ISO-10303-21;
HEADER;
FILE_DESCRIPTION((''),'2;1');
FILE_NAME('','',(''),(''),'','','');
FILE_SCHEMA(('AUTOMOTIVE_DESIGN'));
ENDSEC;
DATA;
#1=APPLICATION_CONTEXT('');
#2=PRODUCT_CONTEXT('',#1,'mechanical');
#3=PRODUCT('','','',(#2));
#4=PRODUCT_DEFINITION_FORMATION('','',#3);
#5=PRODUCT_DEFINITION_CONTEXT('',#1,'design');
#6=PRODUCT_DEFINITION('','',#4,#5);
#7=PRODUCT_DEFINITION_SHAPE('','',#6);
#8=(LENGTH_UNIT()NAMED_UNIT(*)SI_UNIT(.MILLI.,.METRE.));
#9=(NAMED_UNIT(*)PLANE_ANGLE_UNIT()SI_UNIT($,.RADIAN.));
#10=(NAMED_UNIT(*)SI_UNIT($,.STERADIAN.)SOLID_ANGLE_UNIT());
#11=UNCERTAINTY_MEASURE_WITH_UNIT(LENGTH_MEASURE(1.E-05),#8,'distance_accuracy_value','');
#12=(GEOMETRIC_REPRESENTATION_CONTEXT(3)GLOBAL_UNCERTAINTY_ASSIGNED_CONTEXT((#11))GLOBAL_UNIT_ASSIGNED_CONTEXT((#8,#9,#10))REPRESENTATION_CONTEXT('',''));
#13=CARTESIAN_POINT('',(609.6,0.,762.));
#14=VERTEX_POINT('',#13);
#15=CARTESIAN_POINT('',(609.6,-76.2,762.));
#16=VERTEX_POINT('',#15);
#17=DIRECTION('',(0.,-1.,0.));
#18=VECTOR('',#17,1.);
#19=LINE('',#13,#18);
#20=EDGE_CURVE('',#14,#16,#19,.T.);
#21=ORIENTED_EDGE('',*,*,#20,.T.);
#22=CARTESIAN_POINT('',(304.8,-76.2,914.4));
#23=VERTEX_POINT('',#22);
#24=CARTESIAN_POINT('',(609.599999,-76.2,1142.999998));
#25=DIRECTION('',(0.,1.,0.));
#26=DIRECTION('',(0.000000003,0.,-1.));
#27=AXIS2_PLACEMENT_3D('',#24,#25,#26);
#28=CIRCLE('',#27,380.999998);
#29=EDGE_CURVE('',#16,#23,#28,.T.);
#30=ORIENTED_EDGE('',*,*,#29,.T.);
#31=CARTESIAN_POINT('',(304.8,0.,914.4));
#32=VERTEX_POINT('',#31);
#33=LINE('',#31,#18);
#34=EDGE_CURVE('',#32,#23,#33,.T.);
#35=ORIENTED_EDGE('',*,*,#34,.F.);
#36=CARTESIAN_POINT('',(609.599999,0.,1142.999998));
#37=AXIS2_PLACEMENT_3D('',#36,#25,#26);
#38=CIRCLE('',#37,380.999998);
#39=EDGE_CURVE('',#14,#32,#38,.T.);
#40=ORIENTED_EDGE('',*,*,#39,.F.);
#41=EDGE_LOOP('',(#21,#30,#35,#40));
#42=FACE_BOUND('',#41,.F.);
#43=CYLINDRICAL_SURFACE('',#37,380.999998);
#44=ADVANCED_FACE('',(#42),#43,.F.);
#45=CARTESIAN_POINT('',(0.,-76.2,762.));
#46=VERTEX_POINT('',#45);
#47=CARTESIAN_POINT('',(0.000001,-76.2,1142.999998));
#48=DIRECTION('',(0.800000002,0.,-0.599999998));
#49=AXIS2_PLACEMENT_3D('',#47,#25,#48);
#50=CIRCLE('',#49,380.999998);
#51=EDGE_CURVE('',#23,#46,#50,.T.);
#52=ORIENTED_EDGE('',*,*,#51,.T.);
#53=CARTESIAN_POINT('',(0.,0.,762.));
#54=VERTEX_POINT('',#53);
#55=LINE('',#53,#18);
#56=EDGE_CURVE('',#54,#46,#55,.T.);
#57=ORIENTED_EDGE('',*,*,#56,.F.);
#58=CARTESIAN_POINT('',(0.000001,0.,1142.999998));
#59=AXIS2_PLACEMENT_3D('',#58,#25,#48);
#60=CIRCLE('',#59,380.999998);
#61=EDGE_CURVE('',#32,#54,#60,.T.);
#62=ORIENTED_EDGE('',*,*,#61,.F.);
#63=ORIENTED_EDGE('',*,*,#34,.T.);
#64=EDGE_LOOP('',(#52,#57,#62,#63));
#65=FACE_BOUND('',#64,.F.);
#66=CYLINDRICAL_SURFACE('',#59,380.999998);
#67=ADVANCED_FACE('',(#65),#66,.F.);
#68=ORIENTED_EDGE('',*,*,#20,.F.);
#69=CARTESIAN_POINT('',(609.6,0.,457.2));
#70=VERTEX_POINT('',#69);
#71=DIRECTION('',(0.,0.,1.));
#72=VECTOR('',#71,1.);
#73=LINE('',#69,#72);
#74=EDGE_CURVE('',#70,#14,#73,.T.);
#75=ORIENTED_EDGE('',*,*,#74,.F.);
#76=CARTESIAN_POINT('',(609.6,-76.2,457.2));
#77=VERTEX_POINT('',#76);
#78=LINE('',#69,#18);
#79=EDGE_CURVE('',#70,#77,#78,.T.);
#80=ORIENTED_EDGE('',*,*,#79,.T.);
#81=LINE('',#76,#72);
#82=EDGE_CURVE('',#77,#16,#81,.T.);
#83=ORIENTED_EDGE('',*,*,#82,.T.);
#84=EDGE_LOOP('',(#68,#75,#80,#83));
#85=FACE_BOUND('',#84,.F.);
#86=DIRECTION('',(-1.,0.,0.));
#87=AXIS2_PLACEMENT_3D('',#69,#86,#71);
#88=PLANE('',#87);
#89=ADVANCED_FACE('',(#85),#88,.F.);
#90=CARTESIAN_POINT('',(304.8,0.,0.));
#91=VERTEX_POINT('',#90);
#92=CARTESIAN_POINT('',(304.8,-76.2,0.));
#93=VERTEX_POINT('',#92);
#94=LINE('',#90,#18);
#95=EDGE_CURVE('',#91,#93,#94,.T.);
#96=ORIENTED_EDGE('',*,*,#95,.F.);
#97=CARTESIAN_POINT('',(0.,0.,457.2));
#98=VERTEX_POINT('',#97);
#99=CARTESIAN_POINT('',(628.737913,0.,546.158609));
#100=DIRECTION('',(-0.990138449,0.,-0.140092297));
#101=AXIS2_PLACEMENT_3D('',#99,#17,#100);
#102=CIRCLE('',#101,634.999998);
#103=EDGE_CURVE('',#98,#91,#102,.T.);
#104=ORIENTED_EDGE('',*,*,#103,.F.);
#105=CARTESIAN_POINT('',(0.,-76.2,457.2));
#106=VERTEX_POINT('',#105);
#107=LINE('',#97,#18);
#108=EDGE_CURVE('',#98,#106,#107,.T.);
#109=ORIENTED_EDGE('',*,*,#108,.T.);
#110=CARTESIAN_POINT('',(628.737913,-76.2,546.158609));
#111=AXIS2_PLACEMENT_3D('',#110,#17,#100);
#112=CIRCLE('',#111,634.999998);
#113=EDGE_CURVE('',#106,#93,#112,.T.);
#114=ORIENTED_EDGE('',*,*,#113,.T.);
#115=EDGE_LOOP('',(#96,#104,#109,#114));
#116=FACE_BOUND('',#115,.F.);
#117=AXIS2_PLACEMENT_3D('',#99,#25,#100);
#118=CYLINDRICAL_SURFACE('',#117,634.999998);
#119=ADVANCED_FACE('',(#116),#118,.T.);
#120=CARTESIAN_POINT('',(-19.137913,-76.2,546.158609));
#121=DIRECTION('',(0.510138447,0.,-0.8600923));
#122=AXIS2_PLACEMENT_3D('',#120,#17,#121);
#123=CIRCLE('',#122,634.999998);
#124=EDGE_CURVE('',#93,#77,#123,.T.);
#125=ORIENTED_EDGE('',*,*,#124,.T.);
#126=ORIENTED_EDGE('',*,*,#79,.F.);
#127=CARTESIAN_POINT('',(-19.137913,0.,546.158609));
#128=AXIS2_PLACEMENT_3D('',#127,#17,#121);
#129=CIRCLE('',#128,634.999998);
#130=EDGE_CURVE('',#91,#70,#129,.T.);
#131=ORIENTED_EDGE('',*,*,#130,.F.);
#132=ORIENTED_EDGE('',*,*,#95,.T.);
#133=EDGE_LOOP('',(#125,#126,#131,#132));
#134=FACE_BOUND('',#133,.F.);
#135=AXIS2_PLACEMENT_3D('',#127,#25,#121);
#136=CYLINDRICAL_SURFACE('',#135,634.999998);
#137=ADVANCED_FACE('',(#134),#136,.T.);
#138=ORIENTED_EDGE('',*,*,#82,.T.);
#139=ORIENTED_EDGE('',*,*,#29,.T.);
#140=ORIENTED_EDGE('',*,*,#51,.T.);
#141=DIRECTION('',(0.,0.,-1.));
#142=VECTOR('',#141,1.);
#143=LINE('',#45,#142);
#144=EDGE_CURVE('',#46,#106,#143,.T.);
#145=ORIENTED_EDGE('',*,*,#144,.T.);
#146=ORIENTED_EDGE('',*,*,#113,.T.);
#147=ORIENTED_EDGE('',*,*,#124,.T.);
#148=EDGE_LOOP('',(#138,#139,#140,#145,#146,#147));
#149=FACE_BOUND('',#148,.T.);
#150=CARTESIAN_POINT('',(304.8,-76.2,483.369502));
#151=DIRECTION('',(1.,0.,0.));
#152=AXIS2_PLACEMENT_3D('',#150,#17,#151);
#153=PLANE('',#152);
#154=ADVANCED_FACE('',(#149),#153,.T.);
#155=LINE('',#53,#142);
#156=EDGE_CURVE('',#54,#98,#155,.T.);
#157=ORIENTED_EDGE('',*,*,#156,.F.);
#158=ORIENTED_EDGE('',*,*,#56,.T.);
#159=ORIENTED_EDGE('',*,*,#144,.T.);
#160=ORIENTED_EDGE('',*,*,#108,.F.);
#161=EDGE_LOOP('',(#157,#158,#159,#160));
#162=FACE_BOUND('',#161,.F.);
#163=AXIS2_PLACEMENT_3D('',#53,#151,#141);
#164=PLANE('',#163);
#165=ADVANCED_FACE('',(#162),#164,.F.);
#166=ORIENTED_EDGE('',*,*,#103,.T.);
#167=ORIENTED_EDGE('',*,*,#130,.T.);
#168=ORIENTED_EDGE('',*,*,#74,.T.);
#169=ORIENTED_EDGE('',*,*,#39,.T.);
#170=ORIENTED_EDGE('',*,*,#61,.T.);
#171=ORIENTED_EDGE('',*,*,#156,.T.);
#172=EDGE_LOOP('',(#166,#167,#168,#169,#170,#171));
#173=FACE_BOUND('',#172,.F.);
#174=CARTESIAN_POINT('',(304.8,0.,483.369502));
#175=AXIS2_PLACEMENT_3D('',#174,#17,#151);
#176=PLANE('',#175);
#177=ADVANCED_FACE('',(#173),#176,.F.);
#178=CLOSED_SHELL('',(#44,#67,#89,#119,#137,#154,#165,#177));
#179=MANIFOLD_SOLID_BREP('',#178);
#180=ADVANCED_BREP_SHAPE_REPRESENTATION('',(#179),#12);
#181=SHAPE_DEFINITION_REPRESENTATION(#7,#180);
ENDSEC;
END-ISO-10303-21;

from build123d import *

# Parameters (mm, degrees)
F1_DEPTH = 76.2


with BuildPart() as f1:
    # F0 (on Front) → F1 (new body)
    with BuildSketch(Plane.XZ):
        with BuildLine():
            ThreePointArc((304.8, 914.4), (170.38838, 802.22324), (0, 762))
            Line((0, 762), (0, 457.2))
            ThreePointArc((0, 457.2), (100.385978, 193.923985), (304.8, 0))
            ThreePointArc((304.8, 0), (509.214022, 193.923985), (609.6, 457.2))
            Line((609.6, 457.2), (609.6, 762))
            ThreePointArc((609.6, 762), (439.21162, 802.22324), (304.8, 914.4))
        make_face()
    extrude(amount=F1_DEPTH)


solid = f1.part
